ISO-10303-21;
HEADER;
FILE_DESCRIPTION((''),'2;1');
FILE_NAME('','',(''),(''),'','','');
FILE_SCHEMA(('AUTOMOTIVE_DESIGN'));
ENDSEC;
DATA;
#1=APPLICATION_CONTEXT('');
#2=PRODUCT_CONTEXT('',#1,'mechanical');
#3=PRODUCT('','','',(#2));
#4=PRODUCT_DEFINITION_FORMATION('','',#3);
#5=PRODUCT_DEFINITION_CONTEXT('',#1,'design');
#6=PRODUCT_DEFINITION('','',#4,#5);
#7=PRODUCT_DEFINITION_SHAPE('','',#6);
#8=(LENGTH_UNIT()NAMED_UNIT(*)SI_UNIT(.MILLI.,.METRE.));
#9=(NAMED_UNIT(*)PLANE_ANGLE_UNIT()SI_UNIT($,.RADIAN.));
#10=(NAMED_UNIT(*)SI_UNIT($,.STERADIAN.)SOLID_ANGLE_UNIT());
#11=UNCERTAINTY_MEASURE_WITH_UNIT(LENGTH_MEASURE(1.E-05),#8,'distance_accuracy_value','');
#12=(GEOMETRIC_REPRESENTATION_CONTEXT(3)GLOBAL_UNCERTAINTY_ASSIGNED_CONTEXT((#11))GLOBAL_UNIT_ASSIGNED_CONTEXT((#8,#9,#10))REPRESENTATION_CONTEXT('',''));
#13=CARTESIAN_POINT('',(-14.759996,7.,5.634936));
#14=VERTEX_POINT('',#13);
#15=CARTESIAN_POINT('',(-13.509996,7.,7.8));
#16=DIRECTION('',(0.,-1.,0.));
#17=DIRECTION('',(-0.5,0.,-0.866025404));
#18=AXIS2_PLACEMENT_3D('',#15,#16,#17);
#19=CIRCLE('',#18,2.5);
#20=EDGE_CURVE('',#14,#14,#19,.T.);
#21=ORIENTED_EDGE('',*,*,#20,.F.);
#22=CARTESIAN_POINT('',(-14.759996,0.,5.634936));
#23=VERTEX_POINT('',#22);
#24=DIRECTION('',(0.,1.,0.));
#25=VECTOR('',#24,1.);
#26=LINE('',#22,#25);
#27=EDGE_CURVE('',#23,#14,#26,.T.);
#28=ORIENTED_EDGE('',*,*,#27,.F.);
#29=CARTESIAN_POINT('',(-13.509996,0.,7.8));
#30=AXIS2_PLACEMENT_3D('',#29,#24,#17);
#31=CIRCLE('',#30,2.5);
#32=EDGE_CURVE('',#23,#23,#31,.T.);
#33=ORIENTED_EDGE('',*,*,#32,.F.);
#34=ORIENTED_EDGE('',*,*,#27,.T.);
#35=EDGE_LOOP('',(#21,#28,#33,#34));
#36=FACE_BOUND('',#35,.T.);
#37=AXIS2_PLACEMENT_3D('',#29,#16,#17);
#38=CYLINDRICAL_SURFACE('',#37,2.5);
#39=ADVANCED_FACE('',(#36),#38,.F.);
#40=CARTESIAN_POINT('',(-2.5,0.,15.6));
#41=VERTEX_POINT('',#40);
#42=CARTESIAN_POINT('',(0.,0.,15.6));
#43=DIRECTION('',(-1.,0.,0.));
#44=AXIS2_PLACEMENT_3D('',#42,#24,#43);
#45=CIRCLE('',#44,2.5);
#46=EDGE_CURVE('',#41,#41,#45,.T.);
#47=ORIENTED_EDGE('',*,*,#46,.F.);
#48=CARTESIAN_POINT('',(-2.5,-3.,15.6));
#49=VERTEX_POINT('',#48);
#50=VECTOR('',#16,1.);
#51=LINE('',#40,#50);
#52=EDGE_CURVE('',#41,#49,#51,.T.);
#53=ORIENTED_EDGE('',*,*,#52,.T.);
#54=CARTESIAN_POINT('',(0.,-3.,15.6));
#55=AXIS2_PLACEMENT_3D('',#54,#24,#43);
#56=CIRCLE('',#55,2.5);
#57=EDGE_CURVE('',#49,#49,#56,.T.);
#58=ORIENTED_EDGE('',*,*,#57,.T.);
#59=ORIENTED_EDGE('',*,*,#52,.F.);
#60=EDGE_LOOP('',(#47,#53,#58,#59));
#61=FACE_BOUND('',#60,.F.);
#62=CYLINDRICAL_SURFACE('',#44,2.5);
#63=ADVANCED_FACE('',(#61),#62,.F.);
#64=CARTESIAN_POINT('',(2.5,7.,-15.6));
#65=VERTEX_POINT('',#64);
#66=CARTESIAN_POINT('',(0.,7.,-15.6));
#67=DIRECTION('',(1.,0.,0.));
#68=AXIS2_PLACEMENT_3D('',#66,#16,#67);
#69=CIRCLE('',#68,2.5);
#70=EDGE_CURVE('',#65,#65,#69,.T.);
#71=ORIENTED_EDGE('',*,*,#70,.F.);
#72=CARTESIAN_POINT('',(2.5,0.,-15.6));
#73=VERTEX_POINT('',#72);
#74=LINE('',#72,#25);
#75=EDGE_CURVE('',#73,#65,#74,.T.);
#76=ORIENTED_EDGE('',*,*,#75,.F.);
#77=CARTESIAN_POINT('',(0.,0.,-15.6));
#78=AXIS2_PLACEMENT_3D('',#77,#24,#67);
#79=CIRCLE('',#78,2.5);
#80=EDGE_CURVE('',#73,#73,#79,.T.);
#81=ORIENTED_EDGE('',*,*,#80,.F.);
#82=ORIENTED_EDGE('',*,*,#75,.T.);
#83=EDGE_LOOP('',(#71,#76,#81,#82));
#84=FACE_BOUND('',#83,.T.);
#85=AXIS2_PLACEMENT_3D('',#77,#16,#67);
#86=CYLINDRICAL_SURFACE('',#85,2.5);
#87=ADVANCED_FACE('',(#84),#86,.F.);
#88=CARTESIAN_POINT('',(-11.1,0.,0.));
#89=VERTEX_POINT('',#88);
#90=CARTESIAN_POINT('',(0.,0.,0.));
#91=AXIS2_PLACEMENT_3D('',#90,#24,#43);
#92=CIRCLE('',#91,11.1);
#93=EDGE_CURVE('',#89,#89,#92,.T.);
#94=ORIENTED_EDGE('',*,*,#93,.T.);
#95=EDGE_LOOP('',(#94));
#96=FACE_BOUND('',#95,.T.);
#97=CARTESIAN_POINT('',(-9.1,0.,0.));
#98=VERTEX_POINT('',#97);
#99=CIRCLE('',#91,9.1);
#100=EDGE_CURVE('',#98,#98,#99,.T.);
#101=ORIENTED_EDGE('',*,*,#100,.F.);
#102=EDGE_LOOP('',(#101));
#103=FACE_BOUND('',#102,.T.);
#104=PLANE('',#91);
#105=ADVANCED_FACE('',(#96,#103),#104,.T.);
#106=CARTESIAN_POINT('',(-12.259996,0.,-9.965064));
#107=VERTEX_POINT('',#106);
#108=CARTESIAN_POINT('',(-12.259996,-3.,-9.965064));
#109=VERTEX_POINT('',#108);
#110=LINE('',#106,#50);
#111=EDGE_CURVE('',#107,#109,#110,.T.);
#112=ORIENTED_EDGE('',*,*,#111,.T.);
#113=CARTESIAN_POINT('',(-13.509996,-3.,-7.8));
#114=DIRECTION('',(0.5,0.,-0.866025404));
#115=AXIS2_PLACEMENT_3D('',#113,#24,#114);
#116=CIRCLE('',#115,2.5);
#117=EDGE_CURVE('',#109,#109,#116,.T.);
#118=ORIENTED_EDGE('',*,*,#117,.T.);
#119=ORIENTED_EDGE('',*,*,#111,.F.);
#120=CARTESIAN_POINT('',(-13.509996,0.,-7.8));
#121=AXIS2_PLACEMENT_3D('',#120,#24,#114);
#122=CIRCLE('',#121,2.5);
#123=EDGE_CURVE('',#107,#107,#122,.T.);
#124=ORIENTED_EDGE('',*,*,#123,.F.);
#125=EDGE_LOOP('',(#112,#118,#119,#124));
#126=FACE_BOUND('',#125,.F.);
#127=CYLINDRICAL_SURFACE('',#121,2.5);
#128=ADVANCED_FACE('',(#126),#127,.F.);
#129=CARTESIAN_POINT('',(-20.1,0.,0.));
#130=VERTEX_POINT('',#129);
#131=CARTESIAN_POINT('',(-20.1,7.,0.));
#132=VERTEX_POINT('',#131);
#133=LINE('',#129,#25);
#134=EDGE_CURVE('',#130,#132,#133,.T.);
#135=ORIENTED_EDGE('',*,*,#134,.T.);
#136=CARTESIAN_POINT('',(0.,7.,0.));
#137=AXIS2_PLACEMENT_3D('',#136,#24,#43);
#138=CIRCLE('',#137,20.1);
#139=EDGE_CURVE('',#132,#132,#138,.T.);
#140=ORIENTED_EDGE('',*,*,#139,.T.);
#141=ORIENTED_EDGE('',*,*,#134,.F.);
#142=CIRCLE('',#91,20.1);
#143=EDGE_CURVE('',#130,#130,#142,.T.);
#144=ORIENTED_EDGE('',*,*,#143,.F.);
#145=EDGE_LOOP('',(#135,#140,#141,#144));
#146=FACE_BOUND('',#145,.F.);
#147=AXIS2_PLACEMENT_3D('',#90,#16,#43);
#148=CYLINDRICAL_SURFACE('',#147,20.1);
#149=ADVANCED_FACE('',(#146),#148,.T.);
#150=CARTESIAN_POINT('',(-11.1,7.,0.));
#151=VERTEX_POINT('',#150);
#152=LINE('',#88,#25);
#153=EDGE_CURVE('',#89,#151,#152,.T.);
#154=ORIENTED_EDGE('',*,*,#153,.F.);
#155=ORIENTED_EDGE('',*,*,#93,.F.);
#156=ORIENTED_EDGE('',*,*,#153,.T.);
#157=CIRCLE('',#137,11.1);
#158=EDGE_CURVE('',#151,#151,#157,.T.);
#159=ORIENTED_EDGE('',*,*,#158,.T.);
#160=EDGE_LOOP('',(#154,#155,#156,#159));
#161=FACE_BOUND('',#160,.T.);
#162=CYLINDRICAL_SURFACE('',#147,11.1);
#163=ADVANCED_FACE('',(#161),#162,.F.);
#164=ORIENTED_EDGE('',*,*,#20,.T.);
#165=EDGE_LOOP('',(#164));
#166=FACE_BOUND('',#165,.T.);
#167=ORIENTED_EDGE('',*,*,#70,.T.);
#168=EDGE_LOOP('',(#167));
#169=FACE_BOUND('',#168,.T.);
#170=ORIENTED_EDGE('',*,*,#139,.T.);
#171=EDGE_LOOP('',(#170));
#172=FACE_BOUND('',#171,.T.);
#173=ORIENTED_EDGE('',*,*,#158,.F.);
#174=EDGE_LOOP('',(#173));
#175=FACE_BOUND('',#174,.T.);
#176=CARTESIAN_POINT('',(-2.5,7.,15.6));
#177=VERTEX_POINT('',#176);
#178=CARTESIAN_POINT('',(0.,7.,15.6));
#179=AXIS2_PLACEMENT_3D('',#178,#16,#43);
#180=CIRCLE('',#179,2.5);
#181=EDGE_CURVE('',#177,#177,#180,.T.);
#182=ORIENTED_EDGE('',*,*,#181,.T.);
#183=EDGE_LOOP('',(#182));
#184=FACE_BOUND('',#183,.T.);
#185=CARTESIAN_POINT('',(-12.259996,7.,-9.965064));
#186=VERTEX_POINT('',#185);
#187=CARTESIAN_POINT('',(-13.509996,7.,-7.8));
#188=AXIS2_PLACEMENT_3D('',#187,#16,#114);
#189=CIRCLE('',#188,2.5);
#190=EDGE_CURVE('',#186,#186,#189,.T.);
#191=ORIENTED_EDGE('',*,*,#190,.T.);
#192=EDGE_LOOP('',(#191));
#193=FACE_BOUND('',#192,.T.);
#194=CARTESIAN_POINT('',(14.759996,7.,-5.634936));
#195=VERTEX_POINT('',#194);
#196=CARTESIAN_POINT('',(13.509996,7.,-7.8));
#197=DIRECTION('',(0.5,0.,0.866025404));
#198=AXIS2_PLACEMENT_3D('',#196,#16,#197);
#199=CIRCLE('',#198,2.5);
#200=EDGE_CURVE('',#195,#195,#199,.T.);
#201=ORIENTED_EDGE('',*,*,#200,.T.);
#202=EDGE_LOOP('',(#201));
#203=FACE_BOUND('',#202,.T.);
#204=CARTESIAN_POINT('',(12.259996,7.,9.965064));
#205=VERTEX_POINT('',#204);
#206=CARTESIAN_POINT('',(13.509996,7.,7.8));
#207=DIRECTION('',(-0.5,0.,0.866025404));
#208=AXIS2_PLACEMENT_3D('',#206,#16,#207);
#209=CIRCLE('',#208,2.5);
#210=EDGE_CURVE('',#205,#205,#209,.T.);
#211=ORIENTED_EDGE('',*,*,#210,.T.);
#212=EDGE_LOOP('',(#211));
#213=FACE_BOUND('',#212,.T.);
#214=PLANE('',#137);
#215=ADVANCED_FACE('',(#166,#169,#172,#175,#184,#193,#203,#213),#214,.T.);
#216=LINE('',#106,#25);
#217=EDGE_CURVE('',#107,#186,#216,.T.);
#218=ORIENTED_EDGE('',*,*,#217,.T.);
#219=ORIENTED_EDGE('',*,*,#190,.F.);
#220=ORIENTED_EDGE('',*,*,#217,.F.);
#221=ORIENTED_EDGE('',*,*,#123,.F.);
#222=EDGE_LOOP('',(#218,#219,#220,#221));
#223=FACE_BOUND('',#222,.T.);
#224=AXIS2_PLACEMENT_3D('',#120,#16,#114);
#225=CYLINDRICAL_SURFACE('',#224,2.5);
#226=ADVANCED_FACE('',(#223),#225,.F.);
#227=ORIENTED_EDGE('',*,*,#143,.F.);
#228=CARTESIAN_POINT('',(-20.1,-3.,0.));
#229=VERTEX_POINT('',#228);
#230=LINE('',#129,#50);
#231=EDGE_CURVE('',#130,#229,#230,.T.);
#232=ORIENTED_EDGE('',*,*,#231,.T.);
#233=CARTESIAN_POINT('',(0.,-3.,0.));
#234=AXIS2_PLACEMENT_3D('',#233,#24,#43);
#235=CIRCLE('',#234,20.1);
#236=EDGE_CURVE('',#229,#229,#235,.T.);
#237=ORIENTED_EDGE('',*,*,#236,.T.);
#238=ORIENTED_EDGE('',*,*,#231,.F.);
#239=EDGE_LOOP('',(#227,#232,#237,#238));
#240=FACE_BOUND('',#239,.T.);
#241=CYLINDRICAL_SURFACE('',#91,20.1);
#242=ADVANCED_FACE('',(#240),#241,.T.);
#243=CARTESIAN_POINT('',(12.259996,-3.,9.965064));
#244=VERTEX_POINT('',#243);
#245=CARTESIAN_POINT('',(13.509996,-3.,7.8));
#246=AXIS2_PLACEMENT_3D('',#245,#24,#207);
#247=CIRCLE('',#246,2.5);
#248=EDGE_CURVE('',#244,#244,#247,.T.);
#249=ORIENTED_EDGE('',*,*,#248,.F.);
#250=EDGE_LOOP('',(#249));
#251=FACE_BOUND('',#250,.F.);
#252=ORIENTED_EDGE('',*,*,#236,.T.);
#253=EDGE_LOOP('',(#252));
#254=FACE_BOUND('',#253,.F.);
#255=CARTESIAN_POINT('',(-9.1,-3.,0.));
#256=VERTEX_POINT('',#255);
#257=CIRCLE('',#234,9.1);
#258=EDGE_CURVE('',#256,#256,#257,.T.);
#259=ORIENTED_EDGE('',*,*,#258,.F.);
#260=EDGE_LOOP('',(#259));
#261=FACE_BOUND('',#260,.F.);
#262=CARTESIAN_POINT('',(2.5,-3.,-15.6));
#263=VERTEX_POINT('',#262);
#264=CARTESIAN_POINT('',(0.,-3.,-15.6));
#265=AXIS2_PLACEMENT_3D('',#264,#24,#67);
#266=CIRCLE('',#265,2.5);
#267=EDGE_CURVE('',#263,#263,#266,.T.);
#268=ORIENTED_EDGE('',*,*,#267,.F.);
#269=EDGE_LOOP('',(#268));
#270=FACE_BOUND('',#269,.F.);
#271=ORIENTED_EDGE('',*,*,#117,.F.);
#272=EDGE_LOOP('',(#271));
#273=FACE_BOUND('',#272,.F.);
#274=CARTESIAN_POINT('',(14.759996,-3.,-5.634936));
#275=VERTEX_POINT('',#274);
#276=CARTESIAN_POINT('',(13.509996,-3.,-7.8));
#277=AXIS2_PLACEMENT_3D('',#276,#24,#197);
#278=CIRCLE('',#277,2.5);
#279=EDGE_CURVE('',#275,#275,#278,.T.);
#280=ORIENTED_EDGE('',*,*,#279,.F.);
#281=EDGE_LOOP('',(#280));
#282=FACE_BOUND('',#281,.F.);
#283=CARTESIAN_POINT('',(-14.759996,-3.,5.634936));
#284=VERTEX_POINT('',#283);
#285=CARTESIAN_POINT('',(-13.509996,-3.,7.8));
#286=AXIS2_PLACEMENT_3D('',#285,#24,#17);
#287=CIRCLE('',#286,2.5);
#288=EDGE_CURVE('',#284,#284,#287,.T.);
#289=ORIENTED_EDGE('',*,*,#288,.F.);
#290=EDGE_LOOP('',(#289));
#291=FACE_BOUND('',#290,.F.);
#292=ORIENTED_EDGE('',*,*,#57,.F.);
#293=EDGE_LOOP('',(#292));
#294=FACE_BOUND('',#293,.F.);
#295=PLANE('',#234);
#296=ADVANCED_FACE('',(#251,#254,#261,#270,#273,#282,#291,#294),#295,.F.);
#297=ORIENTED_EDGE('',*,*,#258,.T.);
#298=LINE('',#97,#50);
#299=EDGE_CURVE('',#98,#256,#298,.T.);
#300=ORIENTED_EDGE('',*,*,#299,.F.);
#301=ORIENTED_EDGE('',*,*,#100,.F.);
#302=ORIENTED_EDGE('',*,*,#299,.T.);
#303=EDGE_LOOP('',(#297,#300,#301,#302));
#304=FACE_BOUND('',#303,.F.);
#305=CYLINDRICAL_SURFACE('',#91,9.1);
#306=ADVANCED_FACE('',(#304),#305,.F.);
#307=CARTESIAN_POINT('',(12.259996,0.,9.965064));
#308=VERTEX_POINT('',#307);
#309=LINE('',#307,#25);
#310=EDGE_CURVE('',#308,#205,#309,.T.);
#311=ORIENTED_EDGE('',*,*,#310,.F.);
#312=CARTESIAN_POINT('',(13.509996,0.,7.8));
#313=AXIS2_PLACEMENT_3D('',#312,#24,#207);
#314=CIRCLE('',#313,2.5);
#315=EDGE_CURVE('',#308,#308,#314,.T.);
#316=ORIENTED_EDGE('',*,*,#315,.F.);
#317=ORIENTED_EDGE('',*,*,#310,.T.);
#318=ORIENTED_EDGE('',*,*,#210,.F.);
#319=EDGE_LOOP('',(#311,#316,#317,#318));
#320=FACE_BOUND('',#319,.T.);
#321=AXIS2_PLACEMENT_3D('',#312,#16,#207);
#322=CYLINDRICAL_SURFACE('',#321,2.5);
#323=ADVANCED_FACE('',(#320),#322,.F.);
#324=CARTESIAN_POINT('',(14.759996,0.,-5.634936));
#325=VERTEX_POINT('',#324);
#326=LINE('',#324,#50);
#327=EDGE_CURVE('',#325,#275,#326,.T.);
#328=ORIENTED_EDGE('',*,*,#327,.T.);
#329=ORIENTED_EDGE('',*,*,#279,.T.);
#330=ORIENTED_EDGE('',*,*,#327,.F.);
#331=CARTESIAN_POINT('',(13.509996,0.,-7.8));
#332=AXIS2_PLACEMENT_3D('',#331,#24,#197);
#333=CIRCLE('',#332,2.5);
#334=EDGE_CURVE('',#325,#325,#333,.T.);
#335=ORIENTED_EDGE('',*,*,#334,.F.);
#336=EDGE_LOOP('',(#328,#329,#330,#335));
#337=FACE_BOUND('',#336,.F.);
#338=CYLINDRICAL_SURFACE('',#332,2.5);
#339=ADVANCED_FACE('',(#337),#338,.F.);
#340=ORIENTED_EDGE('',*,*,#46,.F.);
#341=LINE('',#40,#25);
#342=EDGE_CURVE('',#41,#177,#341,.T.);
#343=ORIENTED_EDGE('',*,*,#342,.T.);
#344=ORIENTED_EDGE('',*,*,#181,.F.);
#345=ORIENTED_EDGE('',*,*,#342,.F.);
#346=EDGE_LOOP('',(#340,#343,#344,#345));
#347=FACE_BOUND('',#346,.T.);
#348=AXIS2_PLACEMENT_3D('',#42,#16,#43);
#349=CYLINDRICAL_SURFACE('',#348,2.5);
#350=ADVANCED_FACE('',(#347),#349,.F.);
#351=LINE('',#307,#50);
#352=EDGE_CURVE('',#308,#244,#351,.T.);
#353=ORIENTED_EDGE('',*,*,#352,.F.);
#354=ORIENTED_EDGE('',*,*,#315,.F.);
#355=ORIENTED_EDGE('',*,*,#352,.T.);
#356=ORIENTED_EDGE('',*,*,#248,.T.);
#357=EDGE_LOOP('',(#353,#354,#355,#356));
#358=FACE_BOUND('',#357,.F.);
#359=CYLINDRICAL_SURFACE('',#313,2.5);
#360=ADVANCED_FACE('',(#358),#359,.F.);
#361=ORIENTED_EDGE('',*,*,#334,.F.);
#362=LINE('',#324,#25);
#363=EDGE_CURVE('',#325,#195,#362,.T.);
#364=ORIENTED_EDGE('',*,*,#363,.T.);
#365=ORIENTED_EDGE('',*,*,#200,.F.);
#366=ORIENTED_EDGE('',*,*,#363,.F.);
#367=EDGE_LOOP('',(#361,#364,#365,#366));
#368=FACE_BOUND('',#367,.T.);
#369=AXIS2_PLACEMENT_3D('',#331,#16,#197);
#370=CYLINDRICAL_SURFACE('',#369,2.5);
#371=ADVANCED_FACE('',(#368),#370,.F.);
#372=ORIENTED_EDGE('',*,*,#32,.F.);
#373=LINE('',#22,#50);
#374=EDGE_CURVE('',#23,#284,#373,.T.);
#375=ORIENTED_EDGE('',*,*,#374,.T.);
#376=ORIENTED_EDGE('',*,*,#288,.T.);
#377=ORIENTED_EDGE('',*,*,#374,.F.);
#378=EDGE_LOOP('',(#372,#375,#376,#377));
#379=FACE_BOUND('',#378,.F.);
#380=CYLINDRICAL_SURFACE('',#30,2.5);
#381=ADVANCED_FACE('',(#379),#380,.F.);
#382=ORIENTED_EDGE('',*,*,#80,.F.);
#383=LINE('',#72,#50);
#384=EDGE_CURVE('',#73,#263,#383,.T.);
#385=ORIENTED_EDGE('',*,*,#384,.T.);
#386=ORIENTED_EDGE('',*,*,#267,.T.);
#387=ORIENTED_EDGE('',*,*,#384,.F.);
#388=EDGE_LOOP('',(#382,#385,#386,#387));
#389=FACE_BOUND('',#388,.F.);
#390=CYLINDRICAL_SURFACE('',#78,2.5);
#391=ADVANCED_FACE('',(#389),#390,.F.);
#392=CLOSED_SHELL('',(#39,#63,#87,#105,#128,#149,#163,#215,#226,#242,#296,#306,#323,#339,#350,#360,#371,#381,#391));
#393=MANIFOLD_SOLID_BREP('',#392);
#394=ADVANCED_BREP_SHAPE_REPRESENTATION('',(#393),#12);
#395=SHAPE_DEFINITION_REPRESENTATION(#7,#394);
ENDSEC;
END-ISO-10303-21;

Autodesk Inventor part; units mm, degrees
ref_plane "YZ Plane" through (0, 0, 0) normal (1, 0, 0) x (0, 1, 0)
ref_plane "XZ Plane" through (0, 0, 0) normal (0, 1, 0) x (-1, 0, 0)
ref_plane "XY Plane" through (0, 0, 0) normal (0, 0, 1) x (1, 0, 0)
sketch "Sketch1" plane through (0, 0, 0) normal (0, 1, 0) x (-1, 0, 0)
  circle A0 centre (0, 0) radius 11.1
  circle A1 centre (0, 0) radius 20.1
  circle A2 centre (0, 15.6) radius 2.5
  circle A3 centre (0, 0) radius 9.1
  dimension "d0" = 22.2
  dimension "d1" = 9
  dimension "d3" = 5
  dimension "d4" = 15.6
  dimension "d9" = 2
  dimension "d17" = 18.2
extrude "Extrusion1" add sketch "Sketch1" along normal blind 7 contours A1 | A2
extrude "Extrusion3" add sketch "Sketch1" against normal blind 3 contours A0 | A1 | A2
extrude "Extrusion4" cut sketch "Sketch1" along normal through all both and the other way through all contours A2
pattern_circular "Circular Pattern1" count 6 over 360 about axis through (0, 0, 0) along (0, -1, 0) of "Extrusion4"
equation "\"d4\" = 0.5 * d1 + 0.5 * d0"
properties part number "Csapagyhaz"
